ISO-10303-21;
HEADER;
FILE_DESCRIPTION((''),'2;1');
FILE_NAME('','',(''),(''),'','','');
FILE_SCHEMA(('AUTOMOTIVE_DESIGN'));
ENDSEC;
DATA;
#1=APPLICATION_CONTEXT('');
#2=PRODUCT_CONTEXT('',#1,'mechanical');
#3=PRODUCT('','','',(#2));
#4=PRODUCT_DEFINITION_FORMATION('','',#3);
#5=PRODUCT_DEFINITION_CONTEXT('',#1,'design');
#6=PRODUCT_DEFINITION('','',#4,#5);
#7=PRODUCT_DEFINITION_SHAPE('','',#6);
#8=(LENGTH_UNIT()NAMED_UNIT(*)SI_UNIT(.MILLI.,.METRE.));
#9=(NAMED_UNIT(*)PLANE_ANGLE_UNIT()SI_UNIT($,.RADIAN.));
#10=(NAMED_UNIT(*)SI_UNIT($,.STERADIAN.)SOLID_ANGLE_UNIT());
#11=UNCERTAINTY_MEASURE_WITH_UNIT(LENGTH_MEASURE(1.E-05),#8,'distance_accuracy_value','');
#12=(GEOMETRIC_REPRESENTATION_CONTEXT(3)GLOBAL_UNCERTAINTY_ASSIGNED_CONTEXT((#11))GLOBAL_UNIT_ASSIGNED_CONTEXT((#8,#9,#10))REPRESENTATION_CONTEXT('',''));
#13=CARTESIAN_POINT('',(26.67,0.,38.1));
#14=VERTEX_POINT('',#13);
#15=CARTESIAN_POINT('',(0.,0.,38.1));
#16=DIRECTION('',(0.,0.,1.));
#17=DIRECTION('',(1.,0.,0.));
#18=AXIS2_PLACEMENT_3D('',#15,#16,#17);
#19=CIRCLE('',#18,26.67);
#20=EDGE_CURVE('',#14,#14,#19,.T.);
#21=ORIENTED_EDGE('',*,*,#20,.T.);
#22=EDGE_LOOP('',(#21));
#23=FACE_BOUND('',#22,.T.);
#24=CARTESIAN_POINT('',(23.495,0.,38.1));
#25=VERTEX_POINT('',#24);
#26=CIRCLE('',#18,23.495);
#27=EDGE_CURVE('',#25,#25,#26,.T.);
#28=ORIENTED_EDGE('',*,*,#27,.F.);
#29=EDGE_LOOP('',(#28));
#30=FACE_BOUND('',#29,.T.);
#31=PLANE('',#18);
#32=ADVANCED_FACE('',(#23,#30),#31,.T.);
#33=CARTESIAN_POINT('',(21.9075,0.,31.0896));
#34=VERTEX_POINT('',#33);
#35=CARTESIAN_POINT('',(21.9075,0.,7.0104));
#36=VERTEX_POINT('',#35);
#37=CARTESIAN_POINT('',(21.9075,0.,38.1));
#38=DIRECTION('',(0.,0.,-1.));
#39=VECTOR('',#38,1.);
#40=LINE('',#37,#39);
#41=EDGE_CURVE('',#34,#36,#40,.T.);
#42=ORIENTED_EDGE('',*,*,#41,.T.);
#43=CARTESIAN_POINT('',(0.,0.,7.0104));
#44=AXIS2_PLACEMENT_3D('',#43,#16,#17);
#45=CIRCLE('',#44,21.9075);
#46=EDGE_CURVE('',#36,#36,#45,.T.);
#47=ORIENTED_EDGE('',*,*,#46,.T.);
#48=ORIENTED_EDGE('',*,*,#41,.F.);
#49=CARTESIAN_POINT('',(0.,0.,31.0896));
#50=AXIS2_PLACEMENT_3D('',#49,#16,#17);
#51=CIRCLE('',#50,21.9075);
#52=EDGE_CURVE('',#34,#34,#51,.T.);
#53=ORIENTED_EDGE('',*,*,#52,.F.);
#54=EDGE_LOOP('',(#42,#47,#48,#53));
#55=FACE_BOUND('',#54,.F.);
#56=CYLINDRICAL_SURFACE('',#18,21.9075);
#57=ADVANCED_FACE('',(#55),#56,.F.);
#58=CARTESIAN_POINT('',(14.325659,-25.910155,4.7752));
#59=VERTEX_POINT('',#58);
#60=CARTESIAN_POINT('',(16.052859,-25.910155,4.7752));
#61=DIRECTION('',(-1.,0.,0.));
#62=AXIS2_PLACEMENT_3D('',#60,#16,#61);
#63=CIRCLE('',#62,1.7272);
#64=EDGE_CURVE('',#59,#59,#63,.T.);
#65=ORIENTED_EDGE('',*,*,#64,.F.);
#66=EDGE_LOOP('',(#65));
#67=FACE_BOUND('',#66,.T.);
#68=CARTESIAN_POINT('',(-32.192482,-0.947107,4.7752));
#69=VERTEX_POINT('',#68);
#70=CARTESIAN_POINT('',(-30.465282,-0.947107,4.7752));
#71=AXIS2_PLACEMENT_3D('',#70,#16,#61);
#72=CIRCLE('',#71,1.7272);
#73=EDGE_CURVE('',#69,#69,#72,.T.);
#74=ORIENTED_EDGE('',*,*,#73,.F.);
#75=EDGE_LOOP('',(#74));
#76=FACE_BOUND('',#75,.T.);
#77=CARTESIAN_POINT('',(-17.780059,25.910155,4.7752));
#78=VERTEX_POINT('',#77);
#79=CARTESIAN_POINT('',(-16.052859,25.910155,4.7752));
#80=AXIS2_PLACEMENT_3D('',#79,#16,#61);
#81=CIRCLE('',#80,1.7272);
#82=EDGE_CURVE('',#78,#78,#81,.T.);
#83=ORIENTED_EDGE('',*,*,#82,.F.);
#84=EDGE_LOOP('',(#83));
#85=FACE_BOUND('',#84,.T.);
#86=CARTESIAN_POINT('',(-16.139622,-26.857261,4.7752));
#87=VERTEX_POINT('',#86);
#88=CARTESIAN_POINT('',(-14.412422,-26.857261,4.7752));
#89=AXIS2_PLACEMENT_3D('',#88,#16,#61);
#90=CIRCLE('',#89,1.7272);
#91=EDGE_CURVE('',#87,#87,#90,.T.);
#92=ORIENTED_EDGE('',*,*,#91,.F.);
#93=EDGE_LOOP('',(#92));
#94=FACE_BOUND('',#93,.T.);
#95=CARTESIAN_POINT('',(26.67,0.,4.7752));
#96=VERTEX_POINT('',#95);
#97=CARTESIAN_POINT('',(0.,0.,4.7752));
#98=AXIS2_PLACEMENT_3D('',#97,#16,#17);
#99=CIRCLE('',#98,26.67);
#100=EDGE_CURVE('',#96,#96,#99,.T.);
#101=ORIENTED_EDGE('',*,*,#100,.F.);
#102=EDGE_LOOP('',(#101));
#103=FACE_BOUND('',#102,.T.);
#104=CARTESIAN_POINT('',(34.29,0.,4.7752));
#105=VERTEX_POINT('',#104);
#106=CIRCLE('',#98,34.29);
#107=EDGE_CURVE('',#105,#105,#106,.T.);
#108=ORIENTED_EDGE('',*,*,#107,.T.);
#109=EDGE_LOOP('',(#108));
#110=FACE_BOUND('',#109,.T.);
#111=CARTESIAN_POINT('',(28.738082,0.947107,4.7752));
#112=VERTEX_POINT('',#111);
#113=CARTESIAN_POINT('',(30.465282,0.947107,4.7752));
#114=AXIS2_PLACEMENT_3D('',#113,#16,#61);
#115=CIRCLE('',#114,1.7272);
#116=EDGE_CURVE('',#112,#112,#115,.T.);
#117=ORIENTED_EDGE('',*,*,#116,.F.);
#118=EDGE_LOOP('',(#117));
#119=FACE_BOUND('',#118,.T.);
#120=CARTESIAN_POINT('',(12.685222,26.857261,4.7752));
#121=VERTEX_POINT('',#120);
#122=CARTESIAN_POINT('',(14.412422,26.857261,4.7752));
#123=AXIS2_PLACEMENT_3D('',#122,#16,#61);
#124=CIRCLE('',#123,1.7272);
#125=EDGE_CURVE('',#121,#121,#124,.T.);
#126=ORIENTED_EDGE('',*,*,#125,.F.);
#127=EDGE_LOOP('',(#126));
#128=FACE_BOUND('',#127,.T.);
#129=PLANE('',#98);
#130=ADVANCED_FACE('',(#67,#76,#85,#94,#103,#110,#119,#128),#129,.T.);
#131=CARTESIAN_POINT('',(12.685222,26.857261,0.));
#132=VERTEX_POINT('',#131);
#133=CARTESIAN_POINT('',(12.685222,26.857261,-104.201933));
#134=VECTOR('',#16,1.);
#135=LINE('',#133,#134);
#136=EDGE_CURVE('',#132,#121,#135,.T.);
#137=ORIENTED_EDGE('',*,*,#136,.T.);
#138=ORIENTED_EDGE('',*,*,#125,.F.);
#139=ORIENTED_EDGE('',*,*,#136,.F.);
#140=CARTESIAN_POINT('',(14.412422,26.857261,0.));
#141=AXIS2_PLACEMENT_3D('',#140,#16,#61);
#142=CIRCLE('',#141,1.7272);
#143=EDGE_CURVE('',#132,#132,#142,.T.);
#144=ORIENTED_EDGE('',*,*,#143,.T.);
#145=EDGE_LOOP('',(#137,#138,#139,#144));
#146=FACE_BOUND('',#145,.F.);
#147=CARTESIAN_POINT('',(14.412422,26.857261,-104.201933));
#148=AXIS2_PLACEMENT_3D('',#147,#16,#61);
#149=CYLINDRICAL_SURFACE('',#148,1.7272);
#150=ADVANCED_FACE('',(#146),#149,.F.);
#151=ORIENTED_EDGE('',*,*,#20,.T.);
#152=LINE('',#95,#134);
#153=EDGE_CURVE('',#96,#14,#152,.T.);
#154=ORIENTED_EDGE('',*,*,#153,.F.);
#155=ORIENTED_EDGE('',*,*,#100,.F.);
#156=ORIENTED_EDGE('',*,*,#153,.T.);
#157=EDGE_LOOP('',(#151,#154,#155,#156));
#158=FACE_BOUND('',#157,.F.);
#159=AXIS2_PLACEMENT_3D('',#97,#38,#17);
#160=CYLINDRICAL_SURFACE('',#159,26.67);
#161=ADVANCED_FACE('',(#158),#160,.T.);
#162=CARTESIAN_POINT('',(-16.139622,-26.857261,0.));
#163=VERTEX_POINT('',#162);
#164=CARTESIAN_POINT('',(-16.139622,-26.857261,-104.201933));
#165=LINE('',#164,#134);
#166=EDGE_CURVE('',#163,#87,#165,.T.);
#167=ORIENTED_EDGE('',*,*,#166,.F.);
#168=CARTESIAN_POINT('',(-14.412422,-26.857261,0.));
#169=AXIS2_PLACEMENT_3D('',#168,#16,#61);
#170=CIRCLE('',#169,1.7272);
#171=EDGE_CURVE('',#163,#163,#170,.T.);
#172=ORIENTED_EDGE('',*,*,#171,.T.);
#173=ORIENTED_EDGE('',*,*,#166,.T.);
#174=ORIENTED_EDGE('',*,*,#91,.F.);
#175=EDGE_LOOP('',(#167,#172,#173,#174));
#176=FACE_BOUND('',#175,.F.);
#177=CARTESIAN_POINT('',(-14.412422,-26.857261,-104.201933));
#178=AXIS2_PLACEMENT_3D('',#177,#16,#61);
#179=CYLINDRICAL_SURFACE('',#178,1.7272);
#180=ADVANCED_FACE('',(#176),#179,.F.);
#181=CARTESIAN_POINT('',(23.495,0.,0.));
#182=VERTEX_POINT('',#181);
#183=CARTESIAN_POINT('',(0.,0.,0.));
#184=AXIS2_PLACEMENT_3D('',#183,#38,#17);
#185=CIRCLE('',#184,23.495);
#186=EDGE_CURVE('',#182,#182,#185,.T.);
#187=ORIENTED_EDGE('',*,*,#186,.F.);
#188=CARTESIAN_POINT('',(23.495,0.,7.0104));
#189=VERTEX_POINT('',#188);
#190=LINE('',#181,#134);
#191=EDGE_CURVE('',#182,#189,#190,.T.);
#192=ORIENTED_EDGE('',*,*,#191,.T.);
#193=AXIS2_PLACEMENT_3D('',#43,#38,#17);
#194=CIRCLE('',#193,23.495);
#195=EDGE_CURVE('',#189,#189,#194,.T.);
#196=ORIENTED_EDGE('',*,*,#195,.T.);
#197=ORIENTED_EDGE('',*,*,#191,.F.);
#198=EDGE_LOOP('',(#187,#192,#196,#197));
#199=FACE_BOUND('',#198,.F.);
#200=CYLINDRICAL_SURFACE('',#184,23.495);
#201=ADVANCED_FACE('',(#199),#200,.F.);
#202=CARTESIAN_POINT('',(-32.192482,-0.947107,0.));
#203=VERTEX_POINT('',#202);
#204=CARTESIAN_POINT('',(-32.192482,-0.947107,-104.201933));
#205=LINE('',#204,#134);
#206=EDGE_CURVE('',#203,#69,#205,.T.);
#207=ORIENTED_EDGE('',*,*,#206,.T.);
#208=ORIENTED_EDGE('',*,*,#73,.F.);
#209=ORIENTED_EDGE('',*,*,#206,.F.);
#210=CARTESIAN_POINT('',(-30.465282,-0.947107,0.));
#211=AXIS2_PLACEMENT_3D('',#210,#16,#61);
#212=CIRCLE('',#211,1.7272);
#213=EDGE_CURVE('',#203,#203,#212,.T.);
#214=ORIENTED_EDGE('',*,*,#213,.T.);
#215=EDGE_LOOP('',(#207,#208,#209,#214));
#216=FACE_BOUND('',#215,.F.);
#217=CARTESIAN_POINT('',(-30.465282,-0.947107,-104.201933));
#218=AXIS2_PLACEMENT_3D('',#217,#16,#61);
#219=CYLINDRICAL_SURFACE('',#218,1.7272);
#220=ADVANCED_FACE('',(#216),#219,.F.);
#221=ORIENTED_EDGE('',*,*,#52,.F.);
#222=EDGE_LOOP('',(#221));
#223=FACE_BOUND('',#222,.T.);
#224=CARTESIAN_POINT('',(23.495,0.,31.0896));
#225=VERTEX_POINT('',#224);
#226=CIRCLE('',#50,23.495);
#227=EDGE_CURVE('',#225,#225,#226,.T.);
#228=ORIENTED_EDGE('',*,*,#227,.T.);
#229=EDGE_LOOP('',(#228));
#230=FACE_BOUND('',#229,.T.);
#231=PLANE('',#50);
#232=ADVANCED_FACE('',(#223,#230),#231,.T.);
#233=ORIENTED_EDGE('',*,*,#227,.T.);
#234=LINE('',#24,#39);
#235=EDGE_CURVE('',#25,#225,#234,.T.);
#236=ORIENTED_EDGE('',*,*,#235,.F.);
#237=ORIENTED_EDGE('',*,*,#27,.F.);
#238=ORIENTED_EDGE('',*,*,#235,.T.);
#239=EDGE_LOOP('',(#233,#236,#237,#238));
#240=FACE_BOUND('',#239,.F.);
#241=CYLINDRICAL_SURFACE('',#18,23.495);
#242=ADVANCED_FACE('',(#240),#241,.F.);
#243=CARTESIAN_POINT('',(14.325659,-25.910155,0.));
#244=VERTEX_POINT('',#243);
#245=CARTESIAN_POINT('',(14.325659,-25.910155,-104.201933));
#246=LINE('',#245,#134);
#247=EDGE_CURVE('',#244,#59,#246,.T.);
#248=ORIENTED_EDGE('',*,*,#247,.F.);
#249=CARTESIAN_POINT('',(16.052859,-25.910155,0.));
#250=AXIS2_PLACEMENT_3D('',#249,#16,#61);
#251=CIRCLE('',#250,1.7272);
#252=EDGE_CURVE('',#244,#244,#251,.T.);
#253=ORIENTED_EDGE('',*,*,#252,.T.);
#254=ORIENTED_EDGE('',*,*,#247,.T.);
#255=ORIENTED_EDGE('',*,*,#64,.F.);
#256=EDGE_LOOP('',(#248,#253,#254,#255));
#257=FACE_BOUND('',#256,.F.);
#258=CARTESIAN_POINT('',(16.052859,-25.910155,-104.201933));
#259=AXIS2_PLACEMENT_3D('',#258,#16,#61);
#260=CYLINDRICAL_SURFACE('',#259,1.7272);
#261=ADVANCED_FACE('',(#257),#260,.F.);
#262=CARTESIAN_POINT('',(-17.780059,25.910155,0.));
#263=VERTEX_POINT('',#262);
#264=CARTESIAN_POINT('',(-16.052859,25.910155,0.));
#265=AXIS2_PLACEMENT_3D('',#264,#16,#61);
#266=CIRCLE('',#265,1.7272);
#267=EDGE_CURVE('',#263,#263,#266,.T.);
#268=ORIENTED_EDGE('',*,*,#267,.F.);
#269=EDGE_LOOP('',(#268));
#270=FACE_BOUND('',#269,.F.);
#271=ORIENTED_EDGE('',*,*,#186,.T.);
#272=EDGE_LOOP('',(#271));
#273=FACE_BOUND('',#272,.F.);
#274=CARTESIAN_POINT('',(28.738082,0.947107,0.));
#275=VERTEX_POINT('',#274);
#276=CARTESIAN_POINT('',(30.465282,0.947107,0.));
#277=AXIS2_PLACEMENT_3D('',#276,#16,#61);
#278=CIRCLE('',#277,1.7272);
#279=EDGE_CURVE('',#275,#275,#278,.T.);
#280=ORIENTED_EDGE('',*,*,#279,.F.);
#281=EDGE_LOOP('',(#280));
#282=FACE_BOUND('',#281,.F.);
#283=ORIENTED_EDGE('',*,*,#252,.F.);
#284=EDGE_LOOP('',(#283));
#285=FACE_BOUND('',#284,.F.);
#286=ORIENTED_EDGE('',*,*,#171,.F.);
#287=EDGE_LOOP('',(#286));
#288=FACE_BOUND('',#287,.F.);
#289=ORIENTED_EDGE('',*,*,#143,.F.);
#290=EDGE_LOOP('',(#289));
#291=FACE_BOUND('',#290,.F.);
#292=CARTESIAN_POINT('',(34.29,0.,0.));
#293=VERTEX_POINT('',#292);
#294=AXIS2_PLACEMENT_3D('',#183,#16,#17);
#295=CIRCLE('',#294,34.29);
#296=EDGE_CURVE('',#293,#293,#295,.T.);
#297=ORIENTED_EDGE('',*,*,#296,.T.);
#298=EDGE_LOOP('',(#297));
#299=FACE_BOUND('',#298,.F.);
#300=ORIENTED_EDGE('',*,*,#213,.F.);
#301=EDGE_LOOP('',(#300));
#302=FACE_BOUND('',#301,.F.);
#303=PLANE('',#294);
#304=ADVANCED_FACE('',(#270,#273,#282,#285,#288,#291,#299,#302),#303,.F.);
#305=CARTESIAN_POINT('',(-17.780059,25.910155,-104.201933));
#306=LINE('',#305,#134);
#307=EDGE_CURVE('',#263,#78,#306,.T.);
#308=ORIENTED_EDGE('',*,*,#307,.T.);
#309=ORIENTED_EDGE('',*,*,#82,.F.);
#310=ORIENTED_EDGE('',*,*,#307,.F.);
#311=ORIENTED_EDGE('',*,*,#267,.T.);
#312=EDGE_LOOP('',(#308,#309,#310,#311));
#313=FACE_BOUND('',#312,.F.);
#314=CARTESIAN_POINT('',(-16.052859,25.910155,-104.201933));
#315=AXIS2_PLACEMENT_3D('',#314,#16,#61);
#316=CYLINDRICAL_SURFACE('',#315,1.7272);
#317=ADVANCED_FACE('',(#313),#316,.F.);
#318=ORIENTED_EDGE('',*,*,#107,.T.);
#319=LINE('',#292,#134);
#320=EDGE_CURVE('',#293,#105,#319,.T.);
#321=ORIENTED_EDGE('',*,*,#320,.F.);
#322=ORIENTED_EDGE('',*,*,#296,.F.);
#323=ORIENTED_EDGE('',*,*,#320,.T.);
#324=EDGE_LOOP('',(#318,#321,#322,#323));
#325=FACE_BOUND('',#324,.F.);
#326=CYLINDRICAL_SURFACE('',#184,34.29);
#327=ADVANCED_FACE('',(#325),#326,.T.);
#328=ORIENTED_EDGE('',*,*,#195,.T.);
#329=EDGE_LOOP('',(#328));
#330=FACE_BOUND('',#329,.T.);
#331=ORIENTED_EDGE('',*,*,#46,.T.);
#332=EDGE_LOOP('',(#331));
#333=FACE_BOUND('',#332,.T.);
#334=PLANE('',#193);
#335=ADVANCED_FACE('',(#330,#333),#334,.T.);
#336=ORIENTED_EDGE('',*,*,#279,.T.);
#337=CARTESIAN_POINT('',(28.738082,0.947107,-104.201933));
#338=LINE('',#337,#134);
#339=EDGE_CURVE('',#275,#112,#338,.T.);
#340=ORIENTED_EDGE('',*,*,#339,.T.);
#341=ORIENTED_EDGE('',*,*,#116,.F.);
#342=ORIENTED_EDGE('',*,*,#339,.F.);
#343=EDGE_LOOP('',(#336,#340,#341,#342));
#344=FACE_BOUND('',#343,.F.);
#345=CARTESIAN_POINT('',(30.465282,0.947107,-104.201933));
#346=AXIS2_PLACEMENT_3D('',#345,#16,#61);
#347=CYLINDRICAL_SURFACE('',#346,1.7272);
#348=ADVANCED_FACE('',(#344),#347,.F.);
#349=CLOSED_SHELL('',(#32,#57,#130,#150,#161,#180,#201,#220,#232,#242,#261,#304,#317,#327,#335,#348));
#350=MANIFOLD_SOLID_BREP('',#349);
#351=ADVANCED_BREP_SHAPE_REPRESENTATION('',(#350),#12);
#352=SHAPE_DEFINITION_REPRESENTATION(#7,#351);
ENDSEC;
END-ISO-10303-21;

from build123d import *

# Parameters (mm, degrees)
F0_R     = 34.29
F1_DEPTH = 4.7752
F2_R     = 26.67
F3_DEPTH = 33.3248
F4_R     = 21.9075
F5_DEPTH = 38.101
F6_R     = 23.495
F7_DEPTH = 7.0104
F8_R     = 23.495
F9_DEPTH = 7.0104
F11_D    = 3.4544


with BuildPart() as f1:
    # F0 (on Top) → F1 (new body)
    with BuildSketch(Plane.XY):
        Circle(F0_R)
    extrude(amount=F1_DEPTH)

    # F2 (on face) → F3 (join)
    with BuildSketch(Plane.XY.offset(4.7752)):
        Circle(F2_R)
    extrude(amount=F3_DEPTH)

    # F4 (on face) → F5 (cut, through all)
    with BuildSketch(Plane.XY.offset(38.1)):
        Circle(F4_R)
    extrude(amount=-F5_DEPTH, mode=Mode.SUBTRACT)

    # F6 (on face) → F7 (cut)
    with BuildSketch(Plane.XY.offset(38.1)):
        Circle(F6_R)
    extrude(amount=-F7_DEPTH, mode=Mode.SUBTRACT)

    # F8 (on face) → F9 (cut)
    with BuildSketch(Plane(origin=(0, 0, 0), x_dir=(1, 0, 0), z_dir=(0, 0, -1))):
        Circle(F8_R)
    extrude(amount=-F9_DEPTH, mode=Mode.SUBTRACT)

    # F11 (through all)
    with Locations(Plane(origin=(0, 0, 0), x_dir=(1, 0, 0), z_dir=(0, 0, -1))):
        with Locations((-16.052859, -25.910155), (-30.465282, 0.947107), (-14.412422, 26.857261), (16.052859, 25.910155), (30.465282, -0.947107), (14.412422, -26.857261)):
            Hole(F11_D / 2)


solid = f1.part
